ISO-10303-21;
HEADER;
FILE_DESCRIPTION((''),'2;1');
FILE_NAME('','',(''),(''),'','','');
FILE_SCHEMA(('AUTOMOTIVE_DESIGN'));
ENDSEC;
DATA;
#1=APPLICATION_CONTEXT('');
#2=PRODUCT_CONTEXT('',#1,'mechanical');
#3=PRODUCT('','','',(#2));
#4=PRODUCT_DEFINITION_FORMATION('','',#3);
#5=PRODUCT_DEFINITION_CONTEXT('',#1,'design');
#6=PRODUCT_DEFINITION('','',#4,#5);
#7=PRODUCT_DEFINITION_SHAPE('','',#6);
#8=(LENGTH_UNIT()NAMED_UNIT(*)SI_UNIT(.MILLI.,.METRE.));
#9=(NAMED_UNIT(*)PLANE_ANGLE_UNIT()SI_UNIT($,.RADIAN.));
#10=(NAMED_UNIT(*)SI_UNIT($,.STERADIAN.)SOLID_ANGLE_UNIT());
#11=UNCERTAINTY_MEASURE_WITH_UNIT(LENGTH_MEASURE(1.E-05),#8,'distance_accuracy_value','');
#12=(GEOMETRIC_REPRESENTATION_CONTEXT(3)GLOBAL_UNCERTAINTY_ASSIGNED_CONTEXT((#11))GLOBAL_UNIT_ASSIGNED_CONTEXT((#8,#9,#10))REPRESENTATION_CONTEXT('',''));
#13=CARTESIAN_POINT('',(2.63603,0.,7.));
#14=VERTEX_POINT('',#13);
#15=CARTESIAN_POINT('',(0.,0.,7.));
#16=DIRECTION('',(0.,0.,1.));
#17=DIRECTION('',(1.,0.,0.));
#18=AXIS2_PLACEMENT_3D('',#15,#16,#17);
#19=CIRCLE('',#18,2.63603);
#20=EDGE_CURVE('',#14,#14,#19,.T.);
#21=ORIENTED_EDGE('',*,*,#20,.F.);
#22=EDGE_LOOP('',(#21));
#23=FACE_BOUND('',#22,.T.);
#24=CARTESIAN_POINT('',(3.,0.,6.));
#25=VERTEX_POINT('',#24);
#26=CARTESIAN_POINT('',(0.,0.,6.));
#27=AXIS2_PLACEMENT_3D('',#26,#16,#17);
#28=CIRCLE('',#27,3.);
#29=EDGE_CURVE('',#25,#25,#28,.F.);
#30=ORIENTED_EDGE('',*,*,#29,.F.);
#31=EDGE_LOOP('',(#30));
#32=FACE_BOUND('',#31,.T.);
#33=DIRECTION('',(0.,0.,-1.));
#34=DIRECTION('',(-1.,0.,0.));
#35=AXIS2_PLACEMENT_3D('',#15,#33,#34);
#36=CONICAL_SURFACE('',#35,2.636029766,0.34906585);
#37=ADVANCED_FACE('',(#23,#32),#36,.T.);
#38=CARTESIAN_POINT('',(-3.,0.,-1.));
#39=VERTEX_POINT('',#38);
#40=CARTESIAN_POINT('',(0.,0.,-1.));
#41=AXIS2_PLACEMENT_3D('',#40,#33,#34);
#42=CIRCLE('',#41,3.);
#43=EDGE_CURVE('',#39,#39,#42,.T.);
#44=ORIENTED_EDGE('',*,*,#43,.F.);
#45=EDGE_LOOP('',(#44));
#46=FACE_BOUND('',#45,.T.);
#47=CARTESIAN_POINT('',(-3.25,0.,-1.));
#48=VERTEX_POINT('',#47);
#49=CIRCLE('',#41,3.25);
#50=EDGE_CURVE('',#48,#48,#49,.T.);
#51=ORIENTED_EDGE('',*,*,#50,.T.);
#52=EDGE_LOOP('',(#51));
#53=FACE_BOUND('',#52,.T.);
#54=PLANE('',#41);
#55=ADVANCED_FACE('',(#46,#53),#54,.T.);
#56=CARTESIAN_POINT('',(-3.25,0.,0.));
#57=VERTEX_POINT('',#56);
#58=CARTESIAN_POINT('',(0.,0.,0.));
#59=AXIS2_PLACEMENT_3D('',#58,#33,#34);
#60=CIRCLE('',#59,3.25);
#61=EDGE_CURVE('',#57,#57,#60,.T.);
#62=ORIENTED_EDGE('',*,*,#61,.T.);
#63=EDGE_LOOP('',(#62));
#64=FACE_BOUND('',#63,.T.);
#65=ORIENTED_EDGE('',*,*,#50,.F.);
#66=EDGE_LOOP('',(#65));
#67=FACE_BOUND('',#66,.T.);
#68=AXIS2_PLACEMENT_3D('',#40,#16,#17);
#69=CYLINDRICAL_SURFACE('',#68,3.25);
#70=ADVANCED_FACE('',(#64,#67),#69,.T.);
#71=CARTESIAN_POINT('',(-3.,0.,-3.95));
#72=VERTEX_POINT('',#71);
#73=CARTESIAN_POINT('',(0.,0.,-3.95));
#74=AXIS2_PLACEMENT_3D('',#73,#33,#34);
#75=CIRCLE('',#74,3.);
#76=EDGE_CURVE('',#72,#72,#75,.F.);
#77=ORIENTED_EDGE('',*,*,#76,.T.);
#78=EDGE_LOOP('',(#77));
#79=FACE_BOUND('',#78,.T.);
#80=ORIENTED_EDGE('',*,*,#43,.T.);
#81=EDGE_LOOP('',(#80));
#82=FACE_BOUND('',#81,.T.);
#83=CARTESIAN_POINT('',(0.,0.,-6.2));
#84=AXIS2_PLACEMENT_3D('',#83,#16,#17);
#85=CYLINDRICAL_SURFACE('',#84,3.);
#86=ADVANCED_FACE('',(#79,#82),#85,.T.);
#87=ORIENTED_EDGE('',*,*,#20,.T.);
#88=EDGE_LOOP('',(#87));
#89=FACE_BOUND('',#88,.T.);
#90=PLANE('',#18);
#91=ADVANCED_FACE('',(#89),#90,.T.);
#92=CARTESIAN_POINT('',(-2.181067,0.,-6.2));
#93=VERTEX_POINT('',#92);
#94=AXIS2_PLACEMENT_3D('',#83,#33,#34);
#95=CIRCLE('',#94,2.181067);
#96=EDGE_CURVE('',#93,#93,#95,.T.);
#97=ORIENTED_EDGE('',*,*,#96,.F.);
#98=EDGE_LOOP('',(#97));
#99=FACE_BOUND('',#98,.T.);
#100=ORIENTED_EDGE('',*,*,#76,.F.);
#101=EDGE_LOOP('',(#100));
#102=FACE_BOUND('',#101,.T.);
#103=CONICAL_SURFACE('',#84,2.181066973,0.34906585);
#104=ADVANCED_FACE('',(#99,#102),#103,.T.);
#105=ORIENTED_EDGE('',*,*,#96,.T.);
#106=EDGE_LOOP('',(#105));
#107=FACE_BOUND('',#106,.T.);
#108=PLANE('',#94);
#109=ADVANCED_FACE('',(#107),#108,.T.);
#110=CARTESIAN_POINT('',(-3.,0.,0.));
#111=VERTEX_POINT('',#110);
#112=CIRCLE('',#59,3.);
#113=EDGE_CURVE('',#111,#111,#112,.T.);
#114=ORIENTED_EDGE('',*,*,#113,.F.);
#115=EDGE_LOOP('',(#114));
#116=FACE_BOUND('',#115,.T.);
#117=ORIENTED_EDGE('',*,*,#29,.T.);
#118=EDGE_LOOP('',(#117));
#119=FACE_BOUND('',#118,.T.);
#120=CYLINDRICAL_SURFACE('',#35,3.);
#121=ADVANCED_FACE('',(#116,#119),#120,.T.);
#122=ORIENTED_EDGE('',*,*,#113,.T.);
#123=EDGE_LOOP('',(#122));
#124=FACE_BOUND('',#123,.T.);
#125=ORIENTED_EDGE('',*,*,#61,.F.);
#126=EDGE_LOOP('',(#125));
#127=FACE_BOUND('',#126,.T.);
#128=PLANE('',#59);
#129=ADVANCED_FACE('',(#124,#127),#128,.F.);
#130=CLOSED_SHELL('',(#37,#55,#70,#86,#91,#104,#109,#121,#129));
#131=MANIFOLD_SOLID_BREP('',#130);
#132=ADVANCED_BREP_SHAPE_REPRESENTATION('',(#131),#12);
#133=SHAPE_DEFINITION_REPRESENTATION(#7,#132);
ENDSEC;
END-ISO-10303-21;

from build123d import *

# Parameters (mm, degrees)
SKETCH1_R           = 3
BOSS_EXTRUDE1_DEPTH = 7
CHAMFER1_SIZE       = 1
CHAMFER1_SIZE2      = 0.363970234
SKETCH2_R           = 3.25
BOSS_EXTRUDE3_DEPTH = 1
BOSS_EXTRUDE4_START = 5.2
SKETCH4_R           = 3
BOSS_EXTRUDE4_DEPTH = 5.2
CHAMFER2_SIZE       = 2.25
CHAMFER2_SIZE2      = 0.818933027
SKETCH2_2_R         = 3.25
BOSS_EXTRUDE5_DEPTH = 1


with BuildPart() as part:
    # Sketch1 → Boss-Extrude1 (new body)
    with BuildSketch(Plane.XY):
        Circle(SKETCH1_R)
    extrude(amount=BOSS_EXTRUDE1_DEPTH)

    # Chamfer1
    chamfer1_edges = [part.edges().sort_by_distance(p)[0] for p in [
        (-3, 0, 7),
    ]]
    chamfer1_side = [part.faces().sort_by_distance(p)[0] for p in [
        (-3, 0, 3.5),
    ]]
    chamfer(chamfer1_edges, length=CHAMFER1_SIZE, length2=CHAMFER1_SIZE2, reference=chamfer1_side[0])

    # Sketch2 → Boss-Extrude3 (add)
    with BuildSketch(Plane(origin=(0, 0, 0), x_dir=(-1, 0, 0), z_dir=(0, 0, -1))):
        Circle(SKETCH2_R)
    extrude(amount=BOSS_EXTRUDE3_DEPTH)

    # Sketch4 → Boss-Extrude4 (add)
    with BuildSketch(Plane(origin=(0, 0, -1), x_dir=(-1, 0, 0), z_dir=(0, 0, -1)).offset(BOSS_EXTRUDE4_START)):
        Circle(SKETCH4_R)
    extrude(amount=-BOSS_EXTRUDE4_DEPTH)

    # Chamfer2
    chamfer2_edges = [part.edges().sort_by_distance(p)[0] for p in [
        (3, 0, -6.2),
    ]]
    chamfer2_side = [part.faces().sort_by_distance(p)[0] for p in [
        (3, 0, -3.6),
    ]]
    chamfer(chamfer2_edges, length=CHAMFER2_SIZE, length2=CHAMFER2_SIZE2, reference=chamfer2_side[0])

    # Sketch2<2> → Boss-Extrude5 (add)
    with BuildSketch(Plane(origin=(0, 0, 0), x_dir=(-1, 0, 0), z_dir=(0, 0, -1))):
        Circle(SKETCH2_2_R)
    extrude(amount=BOSS_EXTRUDE5_DEPTH)


solid = part.part
